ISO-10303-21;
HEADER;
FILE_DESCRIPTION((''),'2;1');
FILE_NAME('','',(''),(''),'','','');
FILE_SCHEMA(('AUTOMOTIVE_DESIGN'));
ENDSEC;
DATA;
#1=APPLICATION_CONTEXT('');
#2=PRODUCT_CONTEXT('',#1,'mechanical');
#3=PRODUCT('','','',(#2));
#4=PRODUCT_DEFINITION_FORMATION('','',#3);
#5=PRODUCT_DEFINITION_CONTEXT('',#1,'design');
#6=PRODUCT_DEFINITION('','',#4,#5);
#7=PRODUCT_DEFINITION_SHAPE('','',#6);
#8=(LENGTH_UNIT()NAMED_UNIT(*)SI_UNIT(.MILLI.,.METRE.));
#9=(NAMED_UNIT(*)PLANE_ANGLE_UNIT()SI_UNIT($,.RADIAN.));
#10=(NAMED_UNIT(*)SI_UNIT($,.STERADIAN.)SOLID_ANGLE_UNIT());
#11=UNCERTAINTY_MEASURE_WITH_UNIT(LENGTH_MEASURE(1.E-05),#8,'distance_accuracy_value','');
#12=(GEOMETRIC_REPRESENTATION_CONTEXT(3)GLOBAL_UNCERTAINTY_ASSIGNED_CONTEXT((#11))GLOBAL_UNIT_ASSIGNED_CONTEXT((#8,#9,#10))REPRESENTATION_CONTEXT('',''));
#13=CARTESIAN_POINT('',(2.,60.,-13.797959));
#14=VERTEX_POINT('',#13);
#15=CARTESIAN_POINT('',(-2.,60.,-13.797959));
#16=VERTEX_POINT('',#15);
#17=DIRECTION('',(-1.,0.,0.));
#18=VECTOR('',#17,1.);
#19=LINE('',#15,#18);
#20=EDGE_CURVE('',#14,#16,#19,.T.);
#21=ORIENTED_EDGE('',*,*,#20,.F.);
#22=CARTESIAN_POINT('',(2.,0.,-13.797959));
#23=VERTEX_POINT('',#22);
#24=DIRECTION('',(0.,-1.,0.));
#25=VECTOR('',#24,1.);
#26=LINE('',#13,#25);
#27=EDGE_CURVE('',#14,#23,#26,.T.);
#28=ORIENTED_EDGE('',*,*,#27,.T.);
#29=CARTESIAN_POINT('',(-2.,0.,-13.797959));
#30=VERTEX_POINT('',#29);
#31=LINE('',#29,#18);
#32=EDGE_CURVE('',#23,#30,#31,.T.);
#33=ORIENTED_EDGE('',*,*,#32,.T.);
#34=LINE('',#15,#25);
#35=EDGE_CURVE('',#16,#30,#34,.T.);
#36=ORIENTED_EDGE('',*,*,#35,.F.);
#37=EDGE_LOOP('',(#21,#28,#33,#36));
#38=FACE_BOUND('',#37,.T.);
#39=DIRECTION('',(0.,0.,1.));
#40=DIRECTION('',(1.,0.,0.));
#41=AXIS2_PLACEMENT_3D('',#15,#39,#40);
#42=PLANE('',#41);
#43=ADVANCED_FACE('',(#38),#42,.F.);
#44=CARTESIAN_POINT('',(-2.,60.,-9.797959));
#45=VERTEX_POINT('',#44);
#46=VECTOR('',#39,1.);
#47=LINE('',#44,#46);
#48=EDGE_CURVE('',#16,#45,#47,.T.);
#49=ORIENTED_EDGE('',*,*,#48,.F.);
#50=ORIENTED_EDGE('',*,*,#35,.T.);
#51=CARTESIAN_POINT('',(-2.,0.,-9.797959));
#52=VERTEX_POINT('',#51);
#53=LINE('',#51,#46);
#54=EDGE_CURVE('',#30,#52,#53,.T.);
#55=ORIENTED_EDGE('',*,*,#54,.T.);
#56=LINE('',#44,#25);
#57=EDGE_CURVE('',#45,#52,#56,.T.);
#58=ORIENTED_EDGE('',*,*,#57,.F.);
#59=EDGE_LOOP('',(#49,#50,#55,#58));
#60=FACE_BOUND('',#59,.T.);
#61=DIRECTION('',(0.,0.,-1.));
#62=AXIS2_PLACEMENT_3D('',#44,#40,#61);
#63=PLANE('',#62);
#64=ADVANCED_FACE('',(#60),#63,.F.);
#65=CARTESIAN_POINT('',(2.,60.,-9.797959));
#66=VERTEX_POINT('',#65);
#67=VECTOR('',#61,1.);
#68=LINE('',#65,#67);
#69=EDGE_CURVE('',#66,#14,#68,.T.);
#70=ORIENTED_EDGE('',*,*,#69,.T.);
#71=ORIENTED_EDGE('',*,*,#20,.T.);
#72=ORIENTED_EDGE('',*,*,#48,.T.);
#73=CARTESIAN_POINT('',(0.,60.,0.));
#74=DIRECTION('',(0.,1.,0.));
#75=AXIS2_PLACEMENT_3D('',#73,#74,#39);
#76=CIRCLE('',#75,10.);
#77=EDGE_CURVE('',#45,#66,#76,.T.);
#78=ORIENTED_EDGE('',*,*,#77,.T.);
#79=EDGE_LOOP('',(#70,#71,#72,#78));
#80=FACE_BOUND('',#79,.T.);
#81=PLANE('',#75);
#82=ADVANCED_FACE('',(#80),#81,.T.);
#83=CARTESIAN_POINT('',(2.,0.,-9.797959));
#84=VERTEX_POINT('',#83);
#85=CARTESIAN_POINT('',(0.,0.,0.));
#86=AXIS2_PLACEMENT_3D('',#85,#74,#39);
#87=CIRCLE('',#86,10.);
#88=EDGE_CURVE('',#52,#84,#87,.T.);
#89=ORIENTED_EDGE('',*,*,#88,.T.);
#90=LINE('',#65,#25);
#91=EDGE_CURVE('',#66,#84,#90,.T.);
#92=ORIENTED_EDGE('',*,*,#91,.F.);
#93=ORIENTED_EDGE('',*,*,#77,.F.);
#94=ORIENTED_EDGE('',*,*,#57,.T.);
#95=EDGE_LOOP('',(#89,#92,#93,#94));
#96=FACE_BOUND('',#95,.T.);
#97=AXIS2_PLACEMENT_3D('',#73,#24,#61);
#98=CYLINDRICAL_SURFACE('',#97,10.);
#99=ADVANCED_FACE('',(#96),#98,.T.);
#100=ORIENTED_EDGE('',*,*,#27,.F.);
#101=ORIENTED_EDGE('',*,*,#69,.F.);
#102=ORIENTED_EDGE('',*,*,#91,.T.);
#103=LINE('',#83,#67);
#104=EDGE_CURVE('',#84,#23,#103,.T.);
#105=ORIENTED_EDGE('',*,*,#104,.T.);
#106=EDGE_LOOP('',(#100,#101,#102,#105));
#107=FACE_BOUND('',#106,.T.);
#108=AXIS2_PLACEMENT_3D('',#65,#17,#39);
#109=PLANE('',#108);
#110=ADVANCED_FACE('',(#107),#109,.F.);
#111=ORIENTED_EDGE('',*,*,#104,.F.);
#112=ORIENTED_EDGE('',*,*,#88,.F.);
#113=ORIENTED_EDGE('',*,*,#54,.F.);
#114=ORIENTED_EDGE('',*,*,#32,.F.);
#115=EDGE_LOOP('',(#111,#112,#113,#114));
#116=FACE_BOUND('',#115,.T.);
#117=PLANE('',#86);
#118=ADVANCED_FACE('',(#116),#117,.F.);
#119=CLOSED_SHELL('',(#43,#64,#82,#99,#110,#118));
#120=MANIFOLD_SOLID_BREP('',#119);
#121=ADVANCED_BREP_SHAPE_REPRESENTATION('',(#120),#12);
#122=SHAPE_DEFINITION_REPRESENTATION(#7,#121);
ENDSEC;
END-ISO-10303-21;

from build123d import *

# Parameters (mm, degrees)
EXTRUDE_1_DEPTH = 60


with BuildPart() as part:
    # 草图1 → 凸台-拉伸1 (new body)
    with BuildSketch(Plane(origin=(0, 0, 0), x_dir=(1, 0, 0), z_dir=(0, 1, 0))):
        with BuildLine():
            Line((-2, 9.797958971), (-2, 13.797958971))
            Line((-2, 13.797958971), (2, 13.797958971))
            Line((2, 13.797958971), (2, 9.797958971))
            ThreePointArc((2, 9.797958971), (0, -10), (-2, 9.797958971))
        make_face()
    extrude(amount=EXTRUDE_1_DEPTH)


solid = part.part
